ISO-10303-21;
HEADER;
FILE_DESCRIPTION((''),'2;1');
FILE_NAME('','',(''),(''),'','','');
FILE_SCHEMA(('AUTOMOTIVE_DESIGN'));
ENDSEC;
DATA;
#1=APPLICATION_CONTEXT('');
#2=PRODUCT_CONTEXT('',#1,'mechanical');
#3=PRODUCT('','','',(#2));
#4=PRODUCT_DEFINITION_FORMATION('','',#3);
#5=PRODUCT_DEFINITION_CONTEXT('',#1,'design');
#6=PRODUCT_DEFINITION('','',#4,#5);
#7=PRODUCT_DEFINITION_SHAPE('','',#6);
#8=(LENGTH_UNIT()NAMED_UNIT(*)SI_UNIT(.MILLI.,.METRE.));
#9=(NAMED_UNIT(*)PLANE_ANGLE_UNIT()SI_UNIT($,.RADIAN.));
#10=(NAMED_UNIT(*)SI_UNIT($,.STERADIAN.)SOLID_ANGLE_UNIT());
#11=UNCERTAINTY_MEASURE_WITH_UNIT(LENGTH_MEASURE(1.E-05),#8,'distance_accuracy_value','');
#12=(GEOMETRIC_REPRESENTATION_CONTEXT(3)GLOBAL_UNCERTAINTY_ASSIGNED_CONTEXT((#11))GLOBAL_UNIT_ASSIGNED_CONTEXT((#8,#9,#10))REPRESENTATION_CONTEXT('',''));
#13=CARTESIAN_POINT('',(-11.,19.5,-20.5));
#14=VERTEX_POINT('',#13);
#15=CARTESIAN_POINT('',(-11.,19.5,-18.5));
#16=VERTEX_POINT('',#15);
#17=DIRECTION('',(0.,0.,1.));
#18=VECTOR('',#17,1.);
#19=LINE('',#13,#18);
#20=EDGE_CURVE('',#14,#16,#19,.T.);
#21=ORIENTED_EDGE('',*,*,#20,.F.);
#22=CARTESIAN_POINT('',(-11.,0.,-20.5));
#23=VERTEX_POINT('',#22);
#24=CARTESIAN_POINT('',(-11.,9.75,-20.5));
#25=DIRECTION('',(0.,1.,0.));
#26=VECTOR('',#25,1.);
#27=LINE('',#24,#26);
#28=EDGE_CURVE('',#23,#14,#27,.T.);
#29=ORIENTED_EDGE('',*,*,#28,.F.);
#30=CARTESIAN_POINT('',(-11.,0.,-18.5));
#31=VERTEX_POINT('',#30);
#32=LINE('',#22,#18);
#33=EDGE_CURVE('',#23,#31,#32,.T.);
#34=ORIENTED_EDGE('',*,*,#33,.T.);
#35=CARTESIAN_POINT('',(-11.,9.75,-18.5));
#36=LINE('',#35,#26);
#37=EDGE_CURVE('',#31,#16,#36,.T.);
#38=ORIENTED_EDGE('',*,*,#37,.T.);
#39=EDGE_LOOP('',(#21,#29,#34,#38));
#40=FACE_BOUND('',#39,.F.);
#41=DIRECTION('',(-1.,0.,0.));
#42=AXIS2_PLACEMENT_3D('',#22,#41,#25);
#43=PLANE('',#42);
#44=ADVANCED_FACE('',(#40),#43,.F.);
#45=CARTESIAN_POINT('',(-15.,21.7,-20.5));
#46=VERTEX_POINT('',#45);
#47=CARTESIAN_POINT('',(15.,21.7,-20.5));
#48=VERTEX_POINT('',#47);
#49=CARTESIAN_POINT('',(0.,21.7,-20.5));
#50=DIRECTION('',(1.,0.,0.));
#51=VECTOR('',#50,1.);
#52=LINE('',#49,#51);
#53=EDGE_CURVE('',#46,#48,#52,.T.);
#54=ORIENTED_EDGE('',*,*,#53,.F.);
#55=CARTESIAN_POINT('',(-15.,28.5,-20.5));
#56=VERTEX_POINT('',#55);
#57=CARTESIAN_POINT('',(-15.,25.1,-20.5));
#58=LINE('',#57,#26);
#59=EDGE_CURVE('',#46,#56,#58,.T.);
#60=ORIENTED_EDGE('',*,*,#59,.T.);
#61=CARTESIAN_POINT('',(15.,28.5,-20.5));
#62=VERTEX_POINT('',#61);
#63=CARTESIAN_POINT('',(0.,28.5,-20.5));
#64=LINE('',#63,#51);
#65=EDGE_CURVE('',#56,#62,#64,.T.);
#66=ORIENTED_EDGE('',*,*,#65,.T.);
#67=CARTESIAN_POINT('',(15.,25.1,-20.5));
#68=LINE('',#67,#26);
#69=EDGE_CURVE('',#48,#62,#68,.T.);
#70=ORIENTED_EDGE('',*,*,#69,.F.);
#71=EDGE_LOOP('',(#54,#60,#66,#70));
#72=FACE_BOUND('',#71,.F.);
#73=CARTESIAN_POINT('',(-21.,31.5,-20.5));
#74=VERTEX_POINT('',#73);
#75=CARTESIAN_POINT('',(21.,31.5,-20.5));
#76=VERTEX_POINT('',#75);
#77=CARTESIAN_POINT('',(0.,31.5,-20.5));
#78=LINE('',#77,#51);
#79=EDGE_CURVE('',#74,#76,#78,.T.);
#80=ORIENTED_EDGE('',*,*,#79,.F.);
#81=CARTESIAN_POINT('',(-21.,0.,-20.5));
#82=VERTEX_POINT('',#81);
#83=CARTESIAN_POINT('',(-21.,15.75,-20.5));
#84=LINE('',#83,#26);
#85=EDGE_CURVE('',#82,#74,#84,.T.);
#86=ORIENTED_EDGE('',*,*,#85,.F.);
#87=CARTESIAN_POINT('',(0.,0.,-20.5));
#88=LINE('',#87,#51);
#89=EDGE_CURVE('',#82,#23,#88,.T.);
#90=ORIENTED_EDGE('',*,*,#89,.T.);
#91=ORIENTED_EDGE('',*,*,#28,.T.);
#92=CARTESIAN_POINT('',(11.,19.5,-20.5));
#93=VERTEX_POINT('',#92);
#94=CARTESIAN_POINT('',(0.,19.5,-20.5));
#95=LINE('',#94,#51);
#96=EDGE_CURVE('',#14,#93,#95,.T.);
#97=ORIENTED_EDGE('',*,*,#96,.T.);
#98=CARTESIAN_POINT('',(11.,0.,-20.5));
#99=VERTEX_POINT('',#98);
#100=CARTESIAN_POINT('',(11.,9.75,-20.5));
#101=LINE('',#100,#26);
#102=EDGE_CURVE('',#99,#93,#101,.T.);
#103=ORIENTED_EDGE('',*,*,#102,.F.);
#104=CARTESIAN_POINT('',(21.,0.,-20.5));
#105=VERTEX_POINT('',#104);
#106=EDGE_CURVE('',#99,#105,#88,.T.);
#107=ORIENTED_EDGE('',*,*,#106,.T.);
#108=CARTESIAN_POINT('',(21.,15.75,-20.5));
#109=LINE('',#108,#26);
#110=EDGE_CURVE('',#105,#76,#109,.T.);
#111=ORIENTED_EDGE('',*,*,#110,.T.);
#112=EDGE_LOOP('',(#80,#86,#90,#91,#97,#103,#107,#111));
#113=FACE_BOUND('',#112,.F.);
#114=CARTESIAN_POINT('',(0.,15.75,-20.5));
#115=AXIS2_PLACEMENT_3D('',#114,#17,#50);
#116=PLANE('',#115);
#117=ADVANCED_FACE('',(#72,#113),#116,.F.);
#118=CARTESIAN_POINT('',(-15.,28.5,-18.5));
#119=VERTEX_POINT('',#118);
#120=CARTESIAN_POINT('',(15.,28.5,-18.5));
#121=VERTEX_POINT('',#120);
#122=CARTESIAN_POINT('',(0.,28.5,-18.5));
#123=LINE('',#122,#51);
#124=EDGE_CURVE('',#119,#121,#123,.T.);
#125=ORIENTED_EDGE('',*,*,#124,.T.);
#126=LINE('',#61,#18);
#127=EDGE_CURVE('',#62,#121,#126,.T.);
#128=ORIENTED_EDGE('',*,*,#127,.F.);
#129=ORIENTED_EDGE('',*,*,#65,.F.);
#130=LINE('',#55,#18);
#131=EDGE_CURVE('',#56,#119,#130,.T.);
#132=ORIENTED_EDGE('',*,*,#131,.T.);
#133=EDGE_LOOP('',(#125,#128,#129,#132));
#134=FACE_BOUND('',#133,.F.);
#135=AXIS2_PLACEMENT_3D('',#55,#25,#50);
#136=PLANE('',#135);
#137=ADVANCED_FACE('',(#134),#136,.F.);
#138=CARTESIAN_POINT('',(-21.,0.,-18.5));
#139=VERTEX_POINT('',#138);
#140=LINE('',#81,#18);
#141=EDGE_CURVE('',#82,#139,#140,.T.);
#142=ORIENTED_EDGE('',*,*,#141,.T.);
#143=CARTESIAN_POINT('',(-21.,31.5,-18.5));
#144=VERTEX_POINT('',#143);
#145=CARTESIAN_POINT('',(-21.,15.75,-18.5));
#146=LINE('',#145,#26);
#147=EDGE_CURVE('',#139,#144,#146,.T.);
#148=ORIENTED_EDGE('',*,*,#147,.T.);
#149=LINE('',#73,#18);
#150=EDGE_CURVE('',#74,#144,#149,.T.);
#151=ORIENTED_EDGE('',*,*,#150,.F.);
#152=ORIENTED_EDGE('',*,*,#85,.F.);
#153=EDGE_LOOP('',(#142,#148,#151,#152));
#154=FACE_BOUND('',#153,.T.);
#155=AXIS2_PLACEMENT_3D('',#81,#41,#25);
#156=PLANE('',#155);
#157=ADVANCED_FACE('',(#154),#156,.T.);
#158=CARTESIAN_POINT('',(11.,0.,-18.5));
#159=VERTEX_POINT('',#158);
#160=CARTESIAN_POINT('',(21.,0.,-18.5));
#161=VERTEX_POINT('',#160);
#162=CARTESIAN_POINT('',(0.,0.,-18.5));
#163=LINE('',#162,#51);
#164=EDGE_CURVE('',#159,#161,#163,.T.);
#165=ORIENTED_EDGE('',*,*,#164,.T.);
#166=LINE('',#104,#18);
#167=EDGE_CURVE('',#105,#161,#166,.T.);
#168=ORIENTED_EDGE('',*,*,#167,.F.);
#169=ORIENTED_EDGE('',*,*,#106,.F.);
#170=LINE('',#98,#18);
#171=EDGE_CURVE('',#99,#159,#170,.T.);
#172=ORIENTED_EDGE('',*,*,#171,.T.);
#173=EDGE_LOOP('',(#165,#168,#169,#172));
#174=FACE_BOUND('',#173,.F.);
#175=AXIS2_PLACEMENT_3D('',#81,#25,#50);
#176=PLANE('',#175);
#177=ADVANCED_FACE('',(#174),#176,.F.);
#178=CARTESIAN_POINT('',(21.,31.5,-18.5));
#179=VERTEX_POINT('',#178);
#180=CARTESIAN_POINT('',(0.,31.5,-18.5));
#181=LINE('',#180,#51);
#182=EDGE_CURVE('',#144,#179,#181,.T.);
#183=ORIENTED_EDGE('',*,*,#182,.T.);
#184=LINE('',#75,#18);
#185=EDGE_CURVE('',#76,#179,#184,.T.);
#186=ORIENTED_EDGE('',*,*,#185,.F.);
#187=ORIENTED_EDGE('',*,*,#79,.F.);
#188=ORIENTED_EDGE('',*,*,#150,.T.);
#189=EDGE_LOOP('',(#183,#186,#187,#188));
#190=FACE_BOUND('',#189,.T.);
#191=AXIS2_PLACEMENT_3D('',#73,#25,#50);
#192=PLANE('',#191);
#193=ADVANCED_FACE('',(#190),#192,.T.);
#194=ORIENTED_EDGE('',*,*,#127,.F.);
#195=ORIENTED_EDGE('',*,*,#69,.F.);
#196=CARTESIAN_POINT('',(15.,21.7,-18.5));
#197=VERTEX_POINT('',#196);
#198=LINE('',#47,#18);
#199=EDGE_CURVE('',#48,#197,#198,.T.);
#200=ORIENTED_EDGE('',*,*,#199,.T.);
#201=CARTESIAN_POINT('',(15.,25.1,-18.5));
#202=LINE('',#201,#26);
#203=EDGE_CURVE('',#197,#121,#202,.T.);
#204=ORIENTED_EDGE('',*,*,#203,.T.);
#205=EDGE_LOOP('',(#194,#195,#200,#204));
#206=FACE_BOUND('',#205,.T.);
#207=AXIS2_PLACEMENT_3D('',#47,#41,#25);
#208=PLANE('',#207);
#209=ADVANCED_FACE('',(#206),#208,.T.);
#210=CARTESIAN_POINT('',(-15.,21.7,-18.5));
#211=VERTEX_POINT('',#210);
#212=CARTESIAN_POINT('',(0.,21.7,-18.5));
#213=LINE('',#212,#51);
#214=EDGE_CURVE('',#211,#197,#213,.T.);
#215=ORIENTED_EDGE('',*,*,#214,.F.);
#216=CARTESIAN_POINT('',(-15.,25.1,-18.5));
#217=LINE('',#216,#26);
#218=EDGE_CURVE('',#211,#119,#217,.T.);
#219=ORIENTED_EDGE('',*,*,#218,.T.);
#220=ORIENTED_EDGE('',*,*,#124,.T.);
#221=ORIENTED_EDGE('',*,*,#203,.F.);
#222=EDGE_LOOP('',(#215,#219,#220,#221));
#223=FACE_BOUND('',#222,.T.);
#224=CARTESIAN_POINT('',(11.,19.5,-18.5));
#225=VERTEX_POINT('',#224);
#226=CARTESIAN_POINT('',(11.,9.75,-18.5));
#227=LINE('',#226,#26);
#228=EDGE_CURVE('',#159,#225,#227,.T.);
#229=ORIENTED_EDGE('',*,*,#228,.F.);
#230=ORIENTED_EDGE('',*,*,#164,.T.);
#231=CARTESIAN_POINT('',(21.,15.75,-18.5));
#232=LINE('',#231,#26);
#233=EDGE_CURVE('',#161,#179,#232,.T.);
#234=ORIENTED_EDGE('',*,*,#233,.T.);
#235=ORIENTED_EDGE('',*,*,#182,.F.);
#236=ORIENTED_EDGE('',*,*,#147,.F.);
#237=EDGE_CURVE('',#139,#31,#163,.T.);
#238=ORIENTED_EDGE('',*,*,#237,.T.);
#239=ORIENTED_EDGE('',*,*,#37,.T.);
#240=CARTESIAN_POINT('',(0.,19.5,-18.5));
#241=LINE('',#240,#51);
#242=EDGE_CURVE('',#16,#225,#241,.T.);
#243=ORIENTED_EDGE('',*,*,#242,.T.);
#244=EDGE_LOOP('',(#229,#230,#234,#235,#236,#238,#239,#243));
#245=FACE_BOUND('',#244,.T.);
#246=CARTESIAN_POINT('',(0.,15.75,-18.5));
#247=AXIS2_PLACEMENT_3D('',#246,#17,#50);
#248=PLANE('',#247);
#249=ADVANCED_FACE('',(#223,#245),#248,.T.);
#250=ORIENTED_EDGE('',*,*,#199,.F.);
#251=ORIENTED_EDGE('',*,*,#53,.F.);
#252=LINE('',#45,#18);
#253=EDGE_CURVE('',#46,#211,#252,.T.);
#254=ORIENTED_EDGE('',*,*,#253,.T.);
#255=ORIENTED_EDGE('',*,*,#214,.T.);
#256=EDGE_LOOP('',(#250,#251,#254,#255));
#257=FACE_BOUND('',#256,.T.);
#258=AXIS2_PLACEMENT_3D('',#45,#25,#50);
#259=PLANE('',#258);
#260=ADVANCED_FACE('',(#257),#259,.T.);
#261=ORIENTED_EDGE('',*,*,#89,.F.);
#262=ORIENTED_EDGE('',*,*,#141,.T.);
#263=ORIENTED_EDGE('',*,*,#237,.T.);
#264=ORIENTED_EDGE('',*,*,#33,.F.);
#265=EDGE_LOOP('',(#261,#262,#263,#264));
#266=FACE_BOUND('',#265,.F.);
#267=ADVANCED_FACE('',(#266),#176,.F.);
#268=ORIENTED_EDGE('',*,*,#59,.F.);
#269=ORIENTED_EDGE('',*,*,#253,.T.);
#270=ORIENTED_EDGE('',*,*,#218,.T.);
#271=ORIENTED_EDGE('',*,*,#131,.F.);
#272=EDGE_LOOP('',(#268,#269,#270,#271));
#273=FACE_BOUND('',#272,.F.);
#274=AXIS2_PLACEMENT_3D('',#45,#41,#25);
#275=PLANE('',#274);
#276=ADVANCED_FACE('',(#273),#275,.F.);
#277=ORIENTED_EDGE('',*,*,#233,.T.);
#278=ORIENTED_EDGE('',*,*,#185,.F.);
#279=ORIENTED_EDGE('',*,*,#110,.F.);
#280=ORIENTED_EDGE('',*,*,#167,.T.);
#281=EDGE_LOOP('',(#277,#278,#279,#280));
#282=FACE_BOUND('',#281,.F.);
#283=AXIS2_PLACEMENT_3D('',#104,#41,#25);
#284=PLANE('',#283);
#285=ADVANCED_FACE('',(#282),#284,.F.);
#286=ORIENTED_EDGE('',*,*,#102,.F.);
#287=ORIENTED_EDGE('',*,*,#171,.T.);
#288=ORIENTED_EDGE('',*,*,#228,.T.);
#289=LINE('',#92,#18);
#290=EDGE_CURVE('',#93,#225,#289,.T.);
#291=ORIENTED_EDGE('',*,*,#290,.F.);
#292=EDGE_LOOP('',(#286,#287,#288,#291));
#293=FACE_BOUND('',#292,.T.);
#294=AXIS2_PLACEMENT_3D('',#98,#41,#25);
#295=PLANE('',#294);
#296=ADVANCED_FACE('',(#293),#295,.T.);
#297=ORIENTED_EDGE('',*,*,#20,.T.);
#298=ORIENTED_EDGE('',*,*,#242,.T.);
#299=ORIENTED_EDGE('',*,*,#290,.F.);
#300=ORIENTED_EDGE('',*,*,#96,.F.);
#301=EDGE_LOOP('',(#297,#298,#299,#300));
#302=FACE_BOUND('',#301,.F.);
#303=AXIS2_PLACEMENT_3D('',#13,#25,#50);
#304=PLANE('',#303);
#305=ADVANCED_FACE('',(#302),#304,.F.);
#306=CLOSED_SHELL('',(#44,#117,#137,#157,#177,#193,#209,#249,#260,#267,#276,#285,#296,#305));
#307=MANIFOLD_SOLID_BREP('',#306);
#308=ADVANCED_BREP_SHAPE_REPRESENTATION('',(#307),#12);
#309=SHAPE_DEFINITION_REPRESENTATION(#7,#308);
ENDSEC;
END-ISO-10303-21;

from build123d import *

# Parameters (mm, degrees)
BOX011_W     = 30
BOX011_H     = 6.8
BOX011_DEPTH = 2
BOX006_W     = 22
BOX006_H     = 19.5
BOX006_DEPTH = 2
BOX005_W     = 42
BOX005_H     = 31.5
BOX005_DEPTH = 2


with BuildPart() as limitswitchhole:
    # Box011 → Box011 (new body)
    with BuildSketch(Plane(origin=(-15, 21.7, -20.5), x_dir=(1, 0, 0), z_dir=(0, 0, 1))):
        with Locations((15, 3.4)):
            Rectangle(BOX011_W, BOX011_H)
    extrude(amount=BOX011_DEPTH)


with BuildPart() as bottomplatecutouts:
    # Box006 → Box006 (new body)
    with BuildSketch(Plane(origin=(-11, 0, -20.5), x_dir=(1, 0, 0), z_dir=(0, 0, 1))):
        with Locations((11, 9.75)):
            Rectangle(BOX006_W, BOX006_H)
    extrude(amount=BOX006_DEPTH)

    # Compound001: union LimitSwitchHole
    add(limitswitchhole.part)


with BuildPart() as bottomplate:
    # Box005 → Box005 (new body)
    with BuildSketch(Plane(origin=(-21, 0, -20.5), x_dir=(1, 0, 0), z_dir=(0, 0, 1))):
        with Locations((21, 15.75)):
            Rectangle(BOX005_W, BOX005_H)
    extrude(amount=BOX005_DEPTH)

    # Cut012: cut BottomPlateCutouts
    add(bottomplatecutouts.part, mode=Mode.SUBTRACT)


solid = bottomplate.part
